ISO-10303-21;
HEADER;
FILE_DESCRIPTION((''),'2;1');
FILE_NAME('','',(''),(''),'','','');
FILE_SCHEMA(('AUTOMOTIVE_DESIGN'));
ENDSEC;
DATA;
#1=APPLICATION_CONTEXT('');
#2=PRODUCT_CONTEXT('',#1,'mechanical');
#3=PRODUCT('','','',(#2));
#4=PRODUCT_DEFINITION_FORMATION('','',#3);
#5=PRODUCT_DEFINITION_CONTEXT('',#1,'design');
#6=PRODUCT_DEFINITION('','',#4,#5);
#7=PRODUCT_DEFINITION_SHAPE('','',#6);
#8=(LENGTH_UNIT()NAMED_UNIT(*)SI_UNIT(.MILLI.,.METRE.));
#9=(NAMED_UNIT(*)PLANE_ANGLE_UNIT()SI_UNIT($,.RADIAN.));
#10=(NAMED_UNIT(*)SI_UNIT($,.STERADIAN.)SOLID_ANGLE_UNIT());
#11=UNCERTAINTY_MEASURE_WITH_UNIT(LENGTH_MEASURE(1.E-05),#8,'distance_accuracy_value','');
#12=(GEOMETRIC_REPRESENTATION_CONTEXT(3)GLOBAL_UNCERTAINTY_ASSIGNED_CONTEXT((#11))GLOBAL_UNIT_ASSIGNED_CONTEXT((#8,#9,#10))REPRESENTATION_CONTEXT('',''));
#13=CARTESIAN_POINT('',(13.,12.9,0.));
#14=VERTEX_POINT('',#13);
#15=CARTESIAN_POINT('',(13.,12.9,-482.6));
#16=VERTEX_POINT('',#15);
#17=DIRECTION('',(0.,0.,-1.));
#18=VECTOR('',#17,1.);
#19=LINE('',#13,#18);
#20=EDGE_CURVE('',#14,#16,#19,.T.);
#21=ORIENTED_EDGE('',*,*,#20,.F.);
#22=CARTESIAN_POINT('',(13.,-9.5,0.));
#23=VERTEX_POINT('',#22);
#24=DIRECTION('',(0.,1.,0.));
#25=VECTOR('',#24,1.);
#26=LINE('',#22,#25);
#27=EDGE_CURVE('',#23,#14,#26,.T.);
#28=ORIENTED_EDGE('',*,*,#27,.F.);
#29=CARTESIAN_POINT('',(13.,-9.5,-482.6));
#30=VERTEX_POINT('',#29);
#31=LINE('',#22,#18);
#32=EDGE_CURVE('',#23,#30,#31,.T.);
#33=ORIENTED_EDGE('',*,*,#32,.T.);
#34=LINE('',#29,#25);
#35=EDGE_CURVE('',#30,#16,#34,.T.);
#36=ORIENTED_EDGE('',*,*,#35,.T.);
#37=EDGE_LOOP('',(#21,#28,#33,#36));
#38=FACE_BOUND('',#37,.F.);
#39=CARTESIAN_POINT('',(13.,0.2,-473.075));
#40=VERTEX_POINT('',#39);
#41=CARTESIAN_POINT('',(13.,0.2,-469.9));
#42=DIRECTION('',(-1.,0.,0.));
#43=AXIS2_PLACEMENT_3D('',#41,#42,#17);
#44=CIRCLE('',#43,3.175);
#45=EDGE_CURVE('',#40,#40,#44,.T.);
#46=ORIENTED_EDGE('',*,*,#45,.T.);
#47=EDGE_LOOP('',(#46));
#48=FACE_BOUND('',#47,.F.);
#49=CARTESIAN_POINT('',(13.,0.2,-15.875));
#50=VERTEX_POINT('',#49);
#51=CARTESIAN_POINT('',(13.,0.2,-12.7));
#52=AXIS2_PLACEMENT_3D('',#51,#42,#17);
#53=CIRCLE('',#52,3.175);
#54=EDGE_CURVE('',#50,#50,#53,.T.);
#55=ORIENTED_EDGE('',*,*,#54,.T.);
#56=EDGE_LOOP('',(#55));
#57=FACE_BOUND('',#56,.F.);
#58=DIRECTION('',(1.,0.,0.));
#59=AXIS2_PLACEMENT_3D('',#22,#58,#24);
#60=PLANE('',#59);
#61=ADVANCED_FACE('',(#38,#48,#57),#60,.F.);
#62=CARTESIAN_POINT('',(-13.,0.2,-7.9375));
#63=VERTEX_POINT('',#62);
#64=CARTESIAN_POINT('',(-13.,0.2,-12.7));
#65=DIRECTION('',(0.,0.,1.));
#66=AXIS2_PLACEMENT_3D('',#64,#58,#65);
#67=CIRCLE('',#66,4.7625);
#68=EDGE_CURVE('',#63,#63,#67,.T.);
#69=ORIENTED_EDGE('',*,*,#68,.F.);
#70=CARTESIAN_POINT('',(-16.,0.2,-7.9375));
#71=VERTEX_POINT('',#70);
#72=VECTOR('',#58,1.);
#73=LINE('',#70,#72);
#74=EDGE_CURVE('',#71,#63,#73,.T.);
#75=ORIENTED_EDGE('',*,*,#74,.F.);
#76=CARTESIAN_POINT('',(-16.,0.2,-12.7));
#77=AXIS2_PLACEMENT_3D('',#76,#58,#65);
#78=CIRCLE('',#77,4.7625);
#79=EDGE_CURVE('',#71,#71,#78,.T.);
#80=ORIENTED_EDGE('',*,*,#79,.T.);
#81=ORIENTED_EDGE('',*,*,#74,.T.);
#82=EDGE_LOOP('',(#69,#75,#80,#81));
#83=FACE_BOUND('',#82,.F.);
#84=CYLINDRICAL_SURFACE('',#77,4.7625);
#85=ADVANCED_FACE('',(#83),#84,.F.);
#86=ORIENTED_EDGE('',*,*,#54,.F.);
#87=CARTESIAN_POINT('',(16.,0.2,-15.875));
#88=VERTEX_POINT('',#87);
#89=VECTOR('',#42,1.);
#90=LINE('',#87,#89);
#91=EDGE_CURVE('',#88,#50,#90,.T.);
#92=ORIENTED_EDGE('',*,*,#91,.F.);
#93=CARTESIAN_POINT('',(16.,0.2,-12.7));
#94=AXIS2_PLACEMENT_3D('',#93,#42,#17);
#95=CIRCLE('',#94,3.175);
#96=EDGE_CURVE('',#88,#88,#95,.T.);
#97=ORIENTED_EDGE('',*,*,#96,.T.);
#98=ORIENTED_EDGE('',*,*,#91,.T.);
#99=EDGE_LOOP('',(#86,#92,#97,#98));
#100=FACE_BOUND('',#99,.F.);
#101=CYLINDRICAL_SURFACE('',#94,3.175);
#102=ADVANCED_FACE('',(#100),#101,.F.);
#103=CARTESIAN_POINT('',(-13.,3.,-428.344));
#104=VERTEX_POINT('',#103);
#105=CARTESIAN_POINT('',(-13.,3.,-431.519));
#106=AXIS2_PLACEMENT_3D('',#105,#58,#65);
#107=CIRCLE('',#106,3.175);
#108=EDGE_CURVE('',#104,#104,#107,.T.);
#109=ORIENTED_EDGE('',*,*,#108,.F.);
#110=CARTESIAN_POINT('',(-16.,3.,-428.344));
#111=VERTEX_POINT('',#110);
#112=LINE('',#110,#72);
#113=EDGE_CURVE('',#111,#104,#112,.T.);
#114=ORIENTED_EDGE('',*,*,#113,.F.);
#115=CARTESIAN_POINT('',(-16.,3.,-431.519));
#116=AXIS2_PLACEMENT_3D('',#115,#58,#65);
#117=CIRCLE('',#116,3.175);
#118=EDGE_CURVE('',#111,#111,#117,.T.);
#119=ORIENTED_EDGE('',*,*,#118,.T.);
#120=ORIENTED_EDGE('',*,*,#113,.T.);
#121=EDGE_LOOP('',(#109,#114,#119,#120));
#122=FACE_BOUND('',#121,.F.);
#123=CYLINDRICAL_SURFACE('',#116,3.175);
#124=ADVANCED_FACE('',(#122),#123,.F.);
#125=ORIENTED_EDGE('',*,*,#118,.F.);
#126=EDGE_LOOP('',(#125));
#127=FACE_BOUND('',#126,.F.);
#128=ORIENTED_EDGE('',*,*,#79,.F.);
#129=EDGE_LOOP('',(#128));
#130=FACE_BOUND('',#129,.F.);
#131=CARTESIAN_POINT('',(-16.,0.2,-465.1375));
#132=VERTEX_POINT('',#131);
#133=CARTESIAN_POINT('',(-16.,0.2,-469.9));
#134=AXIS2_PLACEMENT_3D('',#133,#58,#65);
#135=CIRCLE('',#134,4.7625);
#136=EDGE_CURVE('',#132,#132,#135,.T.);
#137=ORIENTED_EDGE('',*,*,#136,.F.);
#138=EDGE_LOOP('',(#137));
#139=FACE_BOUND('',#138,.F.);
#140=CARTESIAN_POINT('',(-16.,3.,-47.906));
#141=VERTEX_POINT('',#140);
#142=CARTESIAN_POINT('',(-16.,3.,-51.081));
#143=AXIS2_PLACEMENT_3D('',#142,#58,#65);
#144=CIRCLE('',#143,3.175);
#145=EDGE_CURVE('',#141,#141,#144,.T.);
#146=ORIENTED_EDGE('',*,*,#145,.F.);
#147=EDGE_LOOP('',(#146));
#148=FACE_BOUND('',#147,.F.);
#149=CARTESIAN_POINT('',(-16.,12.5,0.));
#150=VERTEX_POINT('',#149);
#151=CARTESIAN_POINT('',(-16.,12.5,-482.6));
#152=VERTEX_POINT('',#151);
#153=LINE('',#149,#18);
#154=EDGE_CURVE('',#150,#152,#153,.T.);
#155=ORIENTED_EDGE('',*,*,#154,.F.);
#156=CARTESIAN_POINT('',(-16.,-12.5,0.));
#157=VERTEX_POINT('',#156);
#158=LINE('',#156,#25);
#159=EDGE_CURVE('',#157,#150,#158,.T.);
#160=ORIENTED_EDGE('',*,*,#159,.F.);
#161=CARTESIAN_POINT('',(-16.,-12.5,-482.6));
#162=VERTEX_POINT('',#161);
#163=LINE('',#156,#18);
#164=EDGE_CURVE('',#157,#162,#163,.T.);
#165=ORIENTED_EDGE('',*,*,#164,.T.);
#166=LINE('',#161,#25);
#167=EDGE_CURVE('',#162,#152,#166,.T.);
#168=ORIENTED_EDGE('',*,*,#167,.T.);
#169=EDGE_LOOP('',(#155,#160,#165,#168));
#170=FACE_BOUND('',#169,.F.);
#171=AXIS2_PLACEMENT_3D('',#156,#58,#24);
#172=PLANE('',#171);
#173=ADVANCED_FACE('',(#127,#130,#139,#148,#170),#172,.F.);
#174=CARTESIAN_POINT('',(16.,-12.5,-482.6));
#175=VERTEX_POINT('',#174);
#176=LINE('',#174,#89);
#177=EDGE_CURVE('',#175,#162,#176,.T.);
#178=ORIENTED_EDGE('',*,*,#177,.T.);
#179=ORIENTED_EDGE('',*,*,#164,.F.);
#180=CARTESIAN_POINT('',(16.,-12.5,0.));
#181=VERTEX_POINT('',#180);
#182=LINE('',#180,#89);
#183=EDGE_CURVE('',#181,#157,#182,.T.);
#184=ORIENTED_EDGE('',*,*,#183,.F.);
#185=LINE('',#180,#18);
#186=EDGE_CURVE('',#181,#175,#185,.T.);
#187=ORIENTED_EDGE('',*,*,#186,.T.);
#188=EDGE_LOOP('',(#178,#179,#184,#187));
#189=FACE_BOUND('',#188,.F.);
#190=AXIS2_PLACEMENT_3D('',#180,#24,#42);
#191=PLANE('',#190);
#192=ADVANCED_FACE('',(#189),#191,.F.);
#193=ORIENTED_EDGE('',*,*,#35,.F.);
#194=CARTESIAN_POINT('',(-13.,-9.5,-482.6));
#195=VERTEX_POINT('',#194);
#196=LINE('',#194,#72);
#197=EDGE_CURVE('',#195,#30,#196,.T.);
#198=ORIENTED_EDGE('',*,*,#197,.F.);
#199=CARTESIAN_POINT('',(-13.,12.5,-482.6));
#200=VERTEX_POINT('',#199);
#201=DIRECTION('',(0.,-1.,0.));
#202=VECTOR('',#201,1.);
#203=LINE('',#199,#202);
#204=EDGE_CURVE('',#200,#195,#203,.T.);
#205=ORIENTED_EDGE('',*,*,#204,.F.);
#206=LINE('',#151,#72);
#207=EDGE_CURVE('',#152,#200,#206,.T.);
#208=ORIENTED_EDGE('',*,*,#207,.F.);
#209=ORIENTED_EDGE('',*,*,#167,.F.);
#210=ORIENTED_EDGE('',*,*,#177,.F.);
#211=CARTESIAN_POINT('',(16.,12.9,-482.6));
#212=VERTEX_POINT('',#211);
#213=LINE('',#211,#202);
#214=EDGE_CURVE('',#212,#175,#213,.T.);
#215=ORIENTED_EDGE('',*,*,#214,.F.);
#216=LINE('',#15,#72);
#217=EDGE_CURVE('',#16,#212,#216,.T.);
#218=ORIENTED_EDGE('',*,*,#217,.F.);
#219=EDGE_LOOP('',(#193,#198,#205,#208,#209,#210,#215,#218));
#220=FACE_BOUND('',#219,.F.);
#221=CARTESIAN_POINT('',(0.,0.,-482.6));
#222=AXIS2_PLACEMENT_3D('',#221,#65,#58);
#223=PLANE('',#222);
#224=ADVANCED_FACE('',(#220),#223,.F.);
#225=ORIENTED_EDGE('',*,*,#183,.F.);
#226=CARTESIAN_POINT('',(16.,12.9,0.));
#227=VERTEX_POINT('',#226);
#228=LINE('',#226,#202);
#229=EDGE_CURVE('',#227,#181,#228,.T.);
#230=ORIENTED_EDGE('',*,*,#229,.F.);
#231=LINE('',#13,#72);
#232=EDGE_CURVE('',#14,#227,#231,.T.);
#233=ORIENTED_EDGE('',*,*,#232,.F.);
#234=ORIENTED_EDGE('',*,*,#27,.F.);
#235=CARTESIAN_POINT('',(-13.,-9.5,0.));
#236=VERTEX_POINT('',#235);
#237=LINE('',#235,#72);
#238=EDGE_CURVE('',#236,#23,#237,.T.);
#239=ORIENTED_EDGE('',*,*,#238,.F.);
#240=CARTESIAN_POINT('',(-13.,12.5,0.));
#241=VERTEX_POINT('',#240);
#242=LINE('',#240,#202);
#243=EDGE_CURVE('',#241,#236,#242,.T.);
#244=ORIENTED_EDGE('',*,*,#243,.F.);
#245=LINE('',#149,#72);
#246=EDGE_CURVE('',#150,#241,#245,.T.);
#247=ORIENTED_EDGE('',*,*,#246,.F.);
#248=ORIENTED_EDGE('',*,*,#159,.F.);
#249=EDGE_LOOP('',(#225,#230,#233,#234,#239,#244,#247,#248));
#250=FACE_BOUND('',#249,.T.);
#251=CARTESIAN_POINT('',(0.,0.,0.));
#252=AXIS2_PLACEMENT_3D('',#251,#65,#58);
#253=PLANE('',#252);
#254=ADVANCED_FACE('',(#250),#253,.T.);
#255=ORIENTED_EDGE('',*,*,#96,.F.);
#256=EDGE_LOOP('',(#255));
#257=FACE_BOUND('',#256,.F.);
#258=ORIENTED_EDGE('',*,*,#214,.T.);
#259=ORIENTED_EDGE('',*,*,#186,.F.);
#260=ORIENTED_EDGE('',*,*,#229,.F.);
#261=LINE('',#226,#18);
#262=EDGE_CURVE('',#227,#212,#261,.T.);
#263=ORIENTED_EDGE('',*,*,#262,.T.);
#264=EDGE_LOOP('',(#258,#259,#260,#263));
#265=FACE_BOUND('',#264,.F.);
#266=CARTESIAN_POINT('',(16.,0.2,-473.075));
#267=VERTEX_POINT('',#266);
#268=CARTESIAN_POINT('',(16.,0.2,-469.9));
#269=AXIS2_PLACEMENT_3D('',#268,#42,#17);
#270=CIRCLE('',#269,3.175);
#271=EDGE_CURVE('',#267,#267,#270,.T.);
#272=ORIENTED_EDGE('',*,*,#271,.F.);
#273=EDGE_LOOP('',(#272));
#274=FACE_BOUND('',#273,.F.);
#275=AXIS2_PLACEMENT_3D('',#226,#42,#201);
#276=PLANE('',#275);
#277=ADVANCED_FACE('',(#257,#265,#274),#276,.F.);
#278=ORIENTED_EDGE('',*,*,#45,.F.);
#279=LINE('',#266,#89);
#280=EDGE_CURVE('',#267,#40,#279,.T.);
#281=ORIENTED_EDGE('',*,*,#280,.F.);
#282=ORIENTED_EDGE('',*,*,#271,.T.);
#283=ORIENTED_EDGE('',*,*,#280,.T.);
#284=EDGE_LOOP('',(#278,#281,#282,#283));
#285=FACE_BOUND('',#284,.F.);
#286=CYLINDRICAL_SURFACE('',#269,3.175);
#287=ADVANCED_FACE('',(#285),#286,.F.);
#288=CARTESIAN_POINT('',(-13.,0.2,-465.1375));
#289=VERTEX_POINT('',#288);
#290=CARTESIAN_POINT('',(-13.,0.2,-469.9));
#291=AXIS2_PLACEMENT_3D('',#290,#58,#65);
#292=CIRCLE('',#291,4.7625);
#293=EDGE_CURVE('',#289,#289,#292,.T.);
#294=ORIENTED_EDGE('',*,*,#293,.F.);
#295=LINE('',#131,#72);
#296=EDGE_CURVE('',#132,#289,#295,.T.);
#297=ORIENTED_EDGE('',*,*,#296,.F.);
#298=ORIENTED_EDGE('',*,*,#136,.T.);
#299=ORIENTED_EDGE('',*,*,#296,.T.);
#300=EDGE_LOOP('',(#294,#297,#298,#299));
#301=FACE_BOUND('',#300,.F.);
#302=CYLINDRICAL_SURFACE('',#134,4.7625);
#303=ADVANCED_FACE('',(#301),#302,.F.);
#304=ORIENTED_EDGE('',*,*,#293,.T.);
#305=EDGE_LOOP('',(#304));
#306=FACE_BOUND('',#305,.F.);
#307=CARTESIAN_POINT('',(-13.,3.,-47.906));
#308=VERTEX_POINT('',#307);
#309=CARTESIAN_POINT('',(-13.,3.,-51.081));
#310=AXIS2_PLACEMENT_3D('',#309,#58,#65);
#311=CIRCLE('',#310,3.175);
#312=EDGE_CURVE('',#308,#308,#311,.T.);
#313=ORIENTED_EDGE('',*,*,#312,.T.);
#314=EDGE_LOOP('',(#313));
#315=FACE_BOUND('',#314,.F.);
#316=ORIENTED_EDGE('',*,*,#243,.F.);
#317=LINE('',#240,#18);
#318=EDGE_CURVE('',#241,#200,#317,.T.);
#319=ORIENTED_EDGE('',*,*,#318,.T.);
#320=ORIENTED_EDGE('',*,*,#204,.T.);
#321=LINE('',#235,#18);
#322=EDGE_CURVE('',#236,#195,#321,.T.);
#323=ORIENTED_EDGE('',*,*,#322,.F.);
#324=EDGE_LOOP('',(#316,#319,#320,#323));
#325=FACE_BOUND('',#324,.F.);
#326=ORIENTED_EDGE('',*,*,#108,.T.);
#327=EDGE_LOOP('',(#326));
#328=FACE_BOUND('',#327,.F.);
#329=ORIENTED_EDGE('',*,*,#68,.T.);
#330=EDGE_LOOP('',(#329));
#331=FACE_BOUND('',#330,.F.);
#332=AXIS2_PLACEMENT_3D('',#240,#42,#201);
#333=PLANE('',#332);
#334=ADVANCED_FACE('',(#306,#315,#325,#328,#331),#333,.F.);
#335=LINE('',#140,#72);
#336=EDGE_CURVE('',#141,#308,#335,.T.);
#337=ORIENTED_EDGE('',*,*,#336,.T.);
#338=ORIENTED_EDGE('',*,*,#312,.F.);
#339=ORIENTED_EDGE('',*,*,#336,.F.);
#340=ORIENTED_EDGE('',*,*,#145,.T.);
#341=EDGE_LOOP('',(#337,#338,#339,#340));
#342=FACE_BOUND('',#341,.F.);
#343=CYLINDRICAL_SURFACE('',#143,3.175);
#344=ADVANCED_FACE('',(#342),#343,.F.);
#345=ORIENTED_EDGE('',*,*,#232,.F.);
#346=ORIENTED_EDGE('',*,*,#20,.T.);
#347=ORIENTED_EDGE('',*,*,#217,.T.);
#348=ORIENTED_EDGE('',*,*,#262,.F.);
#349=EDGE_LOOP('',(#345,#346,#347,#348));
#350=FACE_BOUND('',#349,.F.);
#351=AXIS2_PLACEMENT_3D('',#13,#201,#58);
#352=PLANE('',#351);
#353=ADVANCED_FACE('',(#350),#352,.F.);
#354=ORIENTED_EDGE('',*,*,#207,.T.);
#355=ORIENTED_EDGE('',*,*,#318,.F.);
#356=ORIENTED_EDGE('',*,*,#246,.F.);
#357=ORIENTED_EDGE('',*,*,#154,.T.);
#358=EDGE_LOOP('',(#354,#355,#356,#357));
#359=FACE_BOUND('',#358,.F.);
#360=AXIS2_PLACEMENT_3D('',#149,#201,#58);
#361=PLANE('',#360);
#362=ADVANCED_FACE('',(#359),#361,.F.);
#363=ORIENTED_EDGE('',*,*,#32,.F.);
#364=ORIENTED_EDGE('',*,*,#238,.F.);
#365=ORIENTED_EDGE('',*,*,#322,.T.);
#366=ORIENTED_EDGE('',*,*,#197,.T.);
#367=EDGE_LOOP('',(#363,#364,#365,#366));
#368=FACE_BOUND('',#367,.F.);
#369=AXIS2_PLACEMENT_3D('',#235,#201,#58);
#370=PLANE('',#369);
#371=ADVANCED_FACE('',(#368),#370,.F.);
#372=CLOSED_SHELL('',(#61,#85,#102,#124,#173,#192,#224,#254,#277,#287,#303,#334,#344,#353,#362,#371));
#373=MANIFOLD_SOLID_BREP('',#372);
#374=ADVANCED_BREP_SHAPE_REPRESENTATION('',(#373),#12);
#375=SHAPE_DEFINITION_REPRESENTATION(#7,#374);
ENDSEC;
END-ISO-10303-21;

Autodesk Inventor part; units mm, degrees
ref_plane "YZ Plane" through (0, 0, 0) normal (1, 0, 0) x (0, 1, 0)
ref_plane "XZ Plane" through (0, 0, 0) normal (0, 1, 0) x (-1, 0, 0)
ref_plane "XY Plane" through (0, 0, 0) normal (0, 0, 1) x (1, 0, 0)
sketch "Sketch1" plane through (0, 0, 0) normal (0, 0, 1) x (1, 0, 0)
  line L0 (-16, 12.5) -> (-13, 12.5)
  line L1 (-13, 12.5) -> (-13, -9.5)
  line L2 (-13, -9.5) -> (13, -9.5)
  line L3 (13, -9.5) -> (13, 12.9)
  line L4 (13, 12.9) -> (16, 12.9)
  line L5 (16, 12.9) -> (16, -12.5)
  line L6 (16, -12.5) -> (-16, -12.5)
  line L7 (-16, -12.5) -> (-16, 12.5)
  point P0 (0, 0)
  dimension "d0" = 3
  dimension "d2" = 3
  dimension "d3" = 25
  dimension "d4" = 32
  dimension "d5" = 16
  dimension "d7" = 12.5
  dimension "d8" = 3
extrude "Extrusion1" add sketch "Sketch1" against normal blind 482.6
sketch "Sketch4" plane through (16, -12.5, 0) normal (1, 0, 0) x (0, 0, -1)
  line L0 (0, 25.4) -> (0, 0) projected
  line L1 (482.6, 25.4) -> (482.6, 0) projected
  line L2 (0, 25.4) -> (482.6, 25.4) projected
  circle A0 centre (12.7, 12.7) radius 3.175
  circle A1 centre (469.9, 12.7) radius 3.175
  point P0 (0, 12.5)
  dimension "d21" = 6.35
  dimension "d24" = 12.7
  dimension "d26" = 12.7
  dimension "d27" = 6.35
  dimension "d28" = 12.7
  dimension "d29" = 12.7
hole "Mount Hole" at (16, 0.2, -12.7) at (16, 0.2, -469.9) direction (-1, 0, 0) diameter 6.35 depth 12.7 tip angle 118
sketch "Sketch5" plane through (-16, -12.5, 0) normal (-1, 0, 0) x (0, 0, 1)
  circle A0 centre (-12.7, 12.7) radius 3.175 projected
  circle A1 centre (-469.9, 12.7) radius 3.175 projected
  circle A2 centre (-469.9, 12.7) radius 4.7625
  circle A3 centre (-12.7, 12.7) radius 4.7625
  point P0 (0, 12.5)
  dimension "d37" = 9.525
  dimension "d38" = 9.525
hole "Access Hole" at (-16, 0.2, -469.9) at (-16, 0.2, -12.7) direction (1, 0, 0) diameter 9.525 depth 3 tip angle 118
sketch "Sketch6" plane through (-16, -12.5, 0) normal (-1, 0, 0) x (0, 0, 1)
  line L0 (0, 0) -> (0, 25) projected
  line L1 (-482.6, 0) -> (-482.6, 25) projected
  line L2 (0, 0) -> (-482.6, 0) projected
  circle A0 centre (-431.519, 15.5) radius 3.175
  circle A1 centre (-51.081, 15.5) radius 3.175
  point P0 (0, 12.5)
  dimension "d46" = 6.35
  dimension "d47" = 51.081
  dimension "d48" = 15.5
  dimension "d49" = 6.35
  dimension "d50" = 51.081
hole "Hole3" at (-16, 3, -431.519) at (-16, 3, -51.081) direction (1, 0, 0) diameter 6.35 depth 3 tip angle 118
equation "\"d2\" = d0"
equation "\"d5\" = 0.5 * d4"
equation "\"d7\" = 0.5 * d3"
equation "\"d8\" = d0"
equation "\"d24\" = d26"
equation "\"d27\" = d21"
equation "\"d28\" = d26"
equation "\"d29\" = d24"
equation "\"d35\" = d24"
equation "\"d38\" = d37"
equation "\"d50\" = d47"
properties part number "Rack - Back"
